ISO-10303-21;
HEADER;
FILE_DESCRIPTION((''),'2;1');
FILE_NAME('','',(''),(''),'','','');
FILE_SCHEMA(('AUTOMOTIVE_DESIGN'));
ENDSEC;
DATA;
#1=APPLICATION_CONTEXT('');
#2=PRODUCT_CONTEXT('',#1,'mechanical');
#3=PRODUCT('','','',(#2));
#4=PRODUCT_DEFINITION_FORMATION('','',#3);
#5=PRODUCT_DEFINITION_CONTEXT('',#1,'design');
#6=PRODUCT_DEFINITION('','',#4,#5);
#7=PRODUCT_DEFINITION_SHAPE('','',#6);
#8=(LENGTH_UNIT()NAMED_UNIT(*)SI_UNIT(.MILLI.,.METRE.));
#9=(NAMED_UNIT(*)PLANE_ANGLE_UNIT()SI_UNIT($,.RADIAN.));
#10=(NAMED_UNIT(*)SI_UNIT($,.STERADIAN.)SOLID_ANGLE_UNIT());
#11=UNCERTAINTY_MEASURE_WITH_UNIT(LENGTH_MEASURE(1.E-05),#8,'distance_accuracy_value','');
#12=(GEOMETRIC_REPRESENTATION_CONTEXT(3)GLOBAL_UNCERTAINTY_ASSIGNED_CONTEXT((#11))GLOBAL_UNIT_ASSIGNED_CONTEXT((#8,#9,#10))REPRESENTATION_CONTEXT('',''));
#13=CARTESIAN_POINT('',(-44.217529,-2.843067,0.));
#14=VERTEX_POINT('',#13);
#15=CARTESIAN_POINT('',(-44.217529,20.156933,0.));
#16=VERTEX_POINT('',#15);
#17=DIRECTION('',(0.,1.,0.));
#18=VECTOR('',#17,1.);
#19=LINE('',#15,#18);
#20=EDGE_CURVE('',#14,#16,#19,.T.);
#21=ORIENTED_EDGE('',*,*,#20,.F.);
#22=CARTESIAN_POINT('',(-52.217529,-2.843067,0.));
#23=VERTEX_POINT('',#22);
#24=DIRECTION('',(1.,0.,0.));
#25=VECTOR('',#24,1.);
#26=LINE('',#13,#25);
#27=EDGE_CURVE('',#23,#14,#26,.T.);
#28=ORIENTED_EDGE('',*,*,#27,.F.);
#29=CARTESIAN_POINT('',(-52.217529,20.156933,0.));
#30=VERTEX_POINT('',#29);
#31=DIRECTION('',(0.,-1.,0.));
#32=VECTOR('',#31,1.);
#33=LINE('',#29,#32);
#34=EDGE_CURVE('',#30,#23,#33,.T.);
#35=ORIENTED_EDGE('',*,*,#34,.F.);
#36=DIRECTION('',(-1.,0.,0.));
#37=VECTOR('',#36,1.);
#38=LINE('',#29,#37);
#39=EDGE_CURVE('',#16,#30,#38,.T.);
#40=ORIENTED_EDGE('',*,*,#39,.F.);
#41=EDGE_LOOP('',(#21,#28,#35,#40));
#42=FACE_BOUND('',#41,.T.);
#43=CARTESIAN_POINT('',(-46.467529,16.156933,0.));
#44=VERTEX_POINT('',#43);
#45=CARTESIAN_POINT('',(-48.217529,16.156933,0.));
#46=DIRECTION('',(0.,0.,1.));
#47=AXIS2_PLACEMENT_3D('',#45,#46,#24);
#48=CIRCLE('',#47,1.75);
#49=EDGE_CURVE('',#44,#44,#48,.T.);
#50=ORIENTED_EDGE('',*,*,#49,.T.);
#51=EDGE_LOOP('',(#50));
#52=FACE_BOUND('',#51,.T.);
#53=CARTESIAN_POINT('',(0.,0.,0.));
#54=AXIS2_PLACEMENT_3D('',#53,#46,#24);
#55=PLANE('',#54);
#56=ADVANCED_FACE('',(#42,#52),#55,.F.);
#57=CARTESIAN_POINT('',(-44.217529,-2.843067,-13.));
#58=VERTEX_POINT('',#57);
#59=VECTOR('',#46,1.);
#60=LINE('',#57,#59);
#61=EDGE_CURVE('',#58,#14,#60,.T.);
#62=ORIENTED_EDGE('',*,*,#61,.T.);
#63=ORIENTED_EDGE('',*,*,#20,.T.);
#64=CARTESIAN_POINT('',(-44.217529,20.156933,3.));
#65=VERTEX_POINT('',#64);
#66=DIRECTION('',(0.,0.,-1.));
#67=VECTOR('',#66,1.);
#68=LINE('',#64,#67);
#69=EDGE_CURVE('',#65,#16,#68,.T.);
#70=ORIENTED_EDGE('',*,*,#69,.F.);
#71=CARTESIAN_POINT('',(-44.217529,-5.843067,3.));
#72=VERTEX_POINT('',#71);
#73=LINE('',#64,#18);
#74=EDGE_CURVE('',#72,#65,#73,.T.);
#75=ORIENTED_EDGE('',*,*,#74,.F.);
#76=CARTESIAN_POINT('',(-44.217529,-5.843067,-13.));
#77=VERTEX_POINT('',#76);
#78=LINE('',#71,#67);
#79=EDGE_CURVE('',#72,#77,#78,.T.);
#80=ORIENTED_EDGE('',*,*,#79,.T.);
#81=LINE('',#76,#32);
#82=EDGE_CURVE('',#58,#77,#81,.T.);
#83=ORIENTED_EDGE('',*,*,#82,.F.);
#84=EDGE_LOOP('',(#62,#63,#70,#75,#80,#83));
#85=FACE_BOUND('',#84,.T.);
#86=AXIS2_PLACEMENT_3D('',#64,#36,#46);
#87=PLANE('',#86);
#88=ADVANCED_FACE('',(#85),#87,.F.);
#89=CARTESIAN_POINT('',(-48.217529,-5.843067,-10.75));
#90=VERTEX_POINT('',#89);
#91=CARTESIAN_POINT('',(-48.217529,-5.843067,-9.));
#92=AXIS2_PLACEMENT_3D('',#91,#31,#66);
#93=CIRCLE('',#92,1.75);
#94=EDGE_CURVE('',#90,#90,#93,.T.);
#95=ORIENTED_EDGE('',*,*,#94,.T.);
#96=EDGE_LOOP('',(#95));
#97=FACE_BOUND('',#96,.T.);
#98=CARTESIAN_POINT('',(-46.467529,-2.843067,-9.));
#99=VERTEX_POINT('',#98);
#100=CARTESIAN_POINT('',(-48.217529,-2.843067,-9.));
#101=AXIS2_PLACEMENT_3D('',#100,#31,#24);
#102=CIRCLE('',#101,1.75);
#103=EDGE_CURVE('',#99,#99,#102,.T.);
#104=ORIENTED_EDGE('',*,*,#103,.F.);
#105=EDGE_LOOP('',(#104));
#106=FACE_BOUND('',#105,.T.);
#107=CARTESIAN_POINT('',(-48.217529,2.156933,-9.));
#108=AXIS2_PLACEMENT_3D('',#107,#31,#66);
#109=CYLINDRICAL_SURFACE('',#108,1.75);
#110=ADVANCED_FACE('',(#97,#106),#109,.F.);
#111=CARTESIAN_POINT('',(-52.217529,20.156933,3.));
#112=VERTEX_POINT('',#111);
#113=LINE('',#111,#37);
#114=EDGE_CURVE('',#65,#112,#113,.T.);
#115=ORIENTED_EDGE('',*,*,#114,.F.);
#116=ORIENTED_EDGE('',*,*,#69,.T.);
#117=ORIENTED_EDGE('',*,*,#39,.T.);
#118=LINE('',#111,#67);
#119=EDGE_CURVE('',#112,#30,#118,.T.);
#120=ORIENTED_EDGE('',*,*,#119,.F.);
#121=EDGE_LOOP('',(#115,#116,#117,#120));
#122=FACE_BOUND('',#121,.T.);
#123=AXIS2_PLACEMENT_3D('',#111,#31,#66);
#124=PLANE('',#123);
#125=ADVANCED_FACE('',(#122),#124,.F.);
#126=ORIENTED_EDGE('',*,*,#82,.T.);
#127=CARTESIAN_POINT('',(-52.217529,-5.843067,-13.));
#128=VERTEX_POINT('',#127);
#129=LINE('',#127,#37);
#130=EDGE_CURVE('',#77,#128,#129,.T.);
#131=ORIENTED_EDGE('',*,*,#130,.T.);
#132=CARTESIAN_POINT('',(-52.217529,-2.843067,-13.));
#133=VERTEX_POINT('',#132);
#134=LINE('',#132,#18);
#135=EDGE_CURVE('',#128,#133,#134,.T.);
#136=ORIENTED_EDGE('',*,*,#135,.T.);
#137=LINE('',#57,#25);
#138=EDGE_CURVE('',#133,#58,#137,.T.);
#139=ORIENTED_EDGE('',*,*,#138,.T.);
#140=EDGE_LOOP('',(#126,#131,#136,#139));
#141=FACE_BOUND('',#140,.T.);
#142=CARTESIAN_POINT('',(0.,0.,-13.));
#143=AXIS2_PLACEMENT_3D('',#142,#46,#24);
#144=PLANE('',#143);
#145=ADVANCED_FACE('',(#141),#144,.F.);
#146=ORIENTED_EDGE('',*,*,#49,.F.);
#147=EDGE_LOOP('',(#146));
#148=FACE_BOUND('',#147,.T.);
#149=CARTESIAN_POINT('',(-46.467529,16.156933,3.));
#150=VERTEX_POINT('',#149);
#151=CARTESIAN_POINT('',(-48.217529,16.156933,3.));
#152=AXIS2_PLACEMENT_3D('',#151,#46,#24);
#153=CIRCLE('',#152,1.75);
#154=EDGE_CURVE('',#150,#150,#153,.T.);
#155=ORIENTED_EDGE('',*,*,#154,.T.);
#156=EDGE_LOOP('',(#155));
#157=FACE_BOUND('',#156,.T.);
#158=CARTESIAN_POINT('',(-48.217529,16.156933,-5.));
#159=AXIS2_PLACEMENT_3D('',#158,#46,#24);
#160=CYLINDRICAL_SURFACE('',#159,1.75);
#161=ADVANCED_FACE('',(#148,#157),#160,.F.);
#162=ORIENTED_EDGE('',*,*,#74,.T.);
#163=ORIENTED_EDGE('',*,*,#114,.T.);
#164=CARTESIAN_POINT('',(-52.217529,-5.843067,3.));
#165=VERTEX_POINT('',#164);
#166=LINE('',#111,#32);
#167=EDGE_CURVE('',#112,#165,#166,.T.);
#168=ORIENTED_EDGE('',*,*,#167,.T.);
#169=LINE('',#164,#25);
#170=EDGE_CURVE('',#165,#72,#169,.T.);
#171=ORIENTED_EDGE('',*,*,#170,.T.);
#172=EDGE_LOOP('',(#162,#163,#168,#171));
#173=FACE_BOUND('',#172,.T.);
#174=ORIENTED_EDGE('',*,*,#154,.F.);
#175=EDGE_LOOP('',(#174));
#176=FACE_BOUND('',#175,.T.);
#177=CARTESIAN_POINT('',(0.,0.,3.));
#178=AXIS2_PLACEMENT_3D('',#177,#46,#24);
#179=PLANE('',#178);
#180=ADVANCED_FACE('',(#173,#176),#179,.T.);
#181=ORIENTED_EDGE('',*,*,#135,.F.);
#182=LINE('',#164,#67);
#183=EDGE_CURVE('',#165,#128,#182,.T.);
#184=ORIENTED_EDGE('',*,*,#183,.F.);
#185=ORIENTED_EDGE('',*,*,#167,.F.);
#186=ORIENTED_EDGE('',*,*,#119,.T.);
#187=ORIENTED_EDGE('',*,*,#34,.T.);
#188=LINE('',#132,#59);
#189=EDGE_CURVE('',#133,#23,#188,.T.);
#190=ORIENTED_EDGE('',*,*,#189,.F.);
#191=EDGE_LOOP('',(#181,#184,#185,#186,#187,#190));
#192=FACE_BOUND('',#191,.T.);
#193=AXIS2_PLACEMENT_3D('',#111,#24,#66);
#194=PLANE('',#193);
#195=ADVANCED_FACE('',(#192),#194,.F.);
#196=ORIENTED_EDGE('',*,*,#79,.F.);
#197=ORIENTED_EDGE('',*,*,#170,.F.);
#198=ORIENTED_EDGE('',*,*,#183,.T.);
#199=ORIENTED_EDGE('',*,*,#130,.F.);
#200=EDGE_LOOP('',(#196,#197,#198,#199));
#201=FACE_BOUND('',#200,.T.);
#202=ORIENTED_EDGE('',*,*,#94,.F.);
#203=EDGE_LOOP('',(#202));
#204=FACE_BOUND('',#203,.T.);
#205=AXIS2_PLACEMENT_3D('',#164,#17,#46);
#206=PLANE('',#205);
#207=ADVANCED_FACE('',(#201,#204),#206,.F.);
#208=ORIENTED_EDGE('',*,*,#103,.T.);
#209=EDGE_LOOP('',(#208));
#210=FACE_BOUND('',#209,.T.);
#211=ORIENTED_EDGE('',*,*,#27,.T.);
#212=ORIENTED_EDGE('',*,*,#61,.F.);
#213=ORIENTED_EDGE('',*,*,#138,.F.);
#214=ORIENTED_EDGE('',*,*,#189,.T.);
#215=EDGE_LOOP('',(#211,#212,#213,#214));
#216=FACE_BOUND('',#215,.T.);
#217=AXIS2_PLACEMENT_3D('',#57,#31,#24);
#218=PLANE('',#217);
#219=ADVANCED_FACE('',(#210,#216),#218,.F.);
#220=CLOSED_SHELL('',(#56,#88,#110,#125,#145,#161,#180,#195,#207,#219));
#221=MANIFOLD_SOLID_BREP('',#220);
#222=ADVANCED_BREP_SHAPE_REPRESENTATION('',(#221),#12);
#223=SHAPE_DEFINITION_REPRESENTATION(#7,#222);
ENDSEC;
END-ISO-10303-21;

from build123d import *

# Parameters (mm, degrees)
SKETCH1_W           = 8
SKETCH1_H           = 26.000000001
BOSS_EXTRUDE1_DEPTH = 3
SKETCH2_W           = 8
SKETCH2_H           = 3
BOSS_EXTRUDE2_DEPTH = 13
SKETCH3_R           = 1.75
CUT_EXTRUDE1_DEPTH  = 8
SKETCH4_R           = 1.75
CUT_EXTRUDE2_DEPTH  = 8


with BuildPart() as part:
    # Sketch1 → Boss-Extrude1 (new body)
    with BuildSketch(Plane.XY):
        with Locations((-48.217529248, 7.15693313)):
            Rectangle(SKETCH1_W, SKETCH1_H)
    extrude(amount=BOSS_EXTRUDE1_DEPTH)

    # Sketch2 → Boss-Extrude2 (add)
    with BuildSketch(Plane(origin=(0, 0, 0), x_dir=(-1, 0, 0), z_dir=(0, 0, -1))):
        with Locations((48.217529248, -4.343066871)):
            Rectangle(SKETCH2_W, SKETCH2_H)
    extrude(amount=BOSS_EXTRUDE2_DEPTH)

    # Sketch3 → Cut-Extrude1 (cut)
    with BuildSketch(Plane(origin=(0, -5.843066871, 0), x_dir=(-1, 0, 0), z_dir=(0, -1, 0))):
        with Locations(Location((48.217529248, 9, 0), (0, 0, 90))):
            Circle(SKETCH3_R)
    extrude(amount=-CUT_EXTRUDE1_DEPTH, mode=Mode.SUBTRACT)

    # Sketch4 → Cut-Extrude2 (cut)
    with BuildSketch(Plane.XY.offset(3)):
        with Locations((-48.217529246, 16.156933129)):
            Circle(SKETCH4_R)
    extrude(amount=-CUT_EXTRUDE2_DEPTH, mode=Mode.SUBTRACT)


solid = part.part
